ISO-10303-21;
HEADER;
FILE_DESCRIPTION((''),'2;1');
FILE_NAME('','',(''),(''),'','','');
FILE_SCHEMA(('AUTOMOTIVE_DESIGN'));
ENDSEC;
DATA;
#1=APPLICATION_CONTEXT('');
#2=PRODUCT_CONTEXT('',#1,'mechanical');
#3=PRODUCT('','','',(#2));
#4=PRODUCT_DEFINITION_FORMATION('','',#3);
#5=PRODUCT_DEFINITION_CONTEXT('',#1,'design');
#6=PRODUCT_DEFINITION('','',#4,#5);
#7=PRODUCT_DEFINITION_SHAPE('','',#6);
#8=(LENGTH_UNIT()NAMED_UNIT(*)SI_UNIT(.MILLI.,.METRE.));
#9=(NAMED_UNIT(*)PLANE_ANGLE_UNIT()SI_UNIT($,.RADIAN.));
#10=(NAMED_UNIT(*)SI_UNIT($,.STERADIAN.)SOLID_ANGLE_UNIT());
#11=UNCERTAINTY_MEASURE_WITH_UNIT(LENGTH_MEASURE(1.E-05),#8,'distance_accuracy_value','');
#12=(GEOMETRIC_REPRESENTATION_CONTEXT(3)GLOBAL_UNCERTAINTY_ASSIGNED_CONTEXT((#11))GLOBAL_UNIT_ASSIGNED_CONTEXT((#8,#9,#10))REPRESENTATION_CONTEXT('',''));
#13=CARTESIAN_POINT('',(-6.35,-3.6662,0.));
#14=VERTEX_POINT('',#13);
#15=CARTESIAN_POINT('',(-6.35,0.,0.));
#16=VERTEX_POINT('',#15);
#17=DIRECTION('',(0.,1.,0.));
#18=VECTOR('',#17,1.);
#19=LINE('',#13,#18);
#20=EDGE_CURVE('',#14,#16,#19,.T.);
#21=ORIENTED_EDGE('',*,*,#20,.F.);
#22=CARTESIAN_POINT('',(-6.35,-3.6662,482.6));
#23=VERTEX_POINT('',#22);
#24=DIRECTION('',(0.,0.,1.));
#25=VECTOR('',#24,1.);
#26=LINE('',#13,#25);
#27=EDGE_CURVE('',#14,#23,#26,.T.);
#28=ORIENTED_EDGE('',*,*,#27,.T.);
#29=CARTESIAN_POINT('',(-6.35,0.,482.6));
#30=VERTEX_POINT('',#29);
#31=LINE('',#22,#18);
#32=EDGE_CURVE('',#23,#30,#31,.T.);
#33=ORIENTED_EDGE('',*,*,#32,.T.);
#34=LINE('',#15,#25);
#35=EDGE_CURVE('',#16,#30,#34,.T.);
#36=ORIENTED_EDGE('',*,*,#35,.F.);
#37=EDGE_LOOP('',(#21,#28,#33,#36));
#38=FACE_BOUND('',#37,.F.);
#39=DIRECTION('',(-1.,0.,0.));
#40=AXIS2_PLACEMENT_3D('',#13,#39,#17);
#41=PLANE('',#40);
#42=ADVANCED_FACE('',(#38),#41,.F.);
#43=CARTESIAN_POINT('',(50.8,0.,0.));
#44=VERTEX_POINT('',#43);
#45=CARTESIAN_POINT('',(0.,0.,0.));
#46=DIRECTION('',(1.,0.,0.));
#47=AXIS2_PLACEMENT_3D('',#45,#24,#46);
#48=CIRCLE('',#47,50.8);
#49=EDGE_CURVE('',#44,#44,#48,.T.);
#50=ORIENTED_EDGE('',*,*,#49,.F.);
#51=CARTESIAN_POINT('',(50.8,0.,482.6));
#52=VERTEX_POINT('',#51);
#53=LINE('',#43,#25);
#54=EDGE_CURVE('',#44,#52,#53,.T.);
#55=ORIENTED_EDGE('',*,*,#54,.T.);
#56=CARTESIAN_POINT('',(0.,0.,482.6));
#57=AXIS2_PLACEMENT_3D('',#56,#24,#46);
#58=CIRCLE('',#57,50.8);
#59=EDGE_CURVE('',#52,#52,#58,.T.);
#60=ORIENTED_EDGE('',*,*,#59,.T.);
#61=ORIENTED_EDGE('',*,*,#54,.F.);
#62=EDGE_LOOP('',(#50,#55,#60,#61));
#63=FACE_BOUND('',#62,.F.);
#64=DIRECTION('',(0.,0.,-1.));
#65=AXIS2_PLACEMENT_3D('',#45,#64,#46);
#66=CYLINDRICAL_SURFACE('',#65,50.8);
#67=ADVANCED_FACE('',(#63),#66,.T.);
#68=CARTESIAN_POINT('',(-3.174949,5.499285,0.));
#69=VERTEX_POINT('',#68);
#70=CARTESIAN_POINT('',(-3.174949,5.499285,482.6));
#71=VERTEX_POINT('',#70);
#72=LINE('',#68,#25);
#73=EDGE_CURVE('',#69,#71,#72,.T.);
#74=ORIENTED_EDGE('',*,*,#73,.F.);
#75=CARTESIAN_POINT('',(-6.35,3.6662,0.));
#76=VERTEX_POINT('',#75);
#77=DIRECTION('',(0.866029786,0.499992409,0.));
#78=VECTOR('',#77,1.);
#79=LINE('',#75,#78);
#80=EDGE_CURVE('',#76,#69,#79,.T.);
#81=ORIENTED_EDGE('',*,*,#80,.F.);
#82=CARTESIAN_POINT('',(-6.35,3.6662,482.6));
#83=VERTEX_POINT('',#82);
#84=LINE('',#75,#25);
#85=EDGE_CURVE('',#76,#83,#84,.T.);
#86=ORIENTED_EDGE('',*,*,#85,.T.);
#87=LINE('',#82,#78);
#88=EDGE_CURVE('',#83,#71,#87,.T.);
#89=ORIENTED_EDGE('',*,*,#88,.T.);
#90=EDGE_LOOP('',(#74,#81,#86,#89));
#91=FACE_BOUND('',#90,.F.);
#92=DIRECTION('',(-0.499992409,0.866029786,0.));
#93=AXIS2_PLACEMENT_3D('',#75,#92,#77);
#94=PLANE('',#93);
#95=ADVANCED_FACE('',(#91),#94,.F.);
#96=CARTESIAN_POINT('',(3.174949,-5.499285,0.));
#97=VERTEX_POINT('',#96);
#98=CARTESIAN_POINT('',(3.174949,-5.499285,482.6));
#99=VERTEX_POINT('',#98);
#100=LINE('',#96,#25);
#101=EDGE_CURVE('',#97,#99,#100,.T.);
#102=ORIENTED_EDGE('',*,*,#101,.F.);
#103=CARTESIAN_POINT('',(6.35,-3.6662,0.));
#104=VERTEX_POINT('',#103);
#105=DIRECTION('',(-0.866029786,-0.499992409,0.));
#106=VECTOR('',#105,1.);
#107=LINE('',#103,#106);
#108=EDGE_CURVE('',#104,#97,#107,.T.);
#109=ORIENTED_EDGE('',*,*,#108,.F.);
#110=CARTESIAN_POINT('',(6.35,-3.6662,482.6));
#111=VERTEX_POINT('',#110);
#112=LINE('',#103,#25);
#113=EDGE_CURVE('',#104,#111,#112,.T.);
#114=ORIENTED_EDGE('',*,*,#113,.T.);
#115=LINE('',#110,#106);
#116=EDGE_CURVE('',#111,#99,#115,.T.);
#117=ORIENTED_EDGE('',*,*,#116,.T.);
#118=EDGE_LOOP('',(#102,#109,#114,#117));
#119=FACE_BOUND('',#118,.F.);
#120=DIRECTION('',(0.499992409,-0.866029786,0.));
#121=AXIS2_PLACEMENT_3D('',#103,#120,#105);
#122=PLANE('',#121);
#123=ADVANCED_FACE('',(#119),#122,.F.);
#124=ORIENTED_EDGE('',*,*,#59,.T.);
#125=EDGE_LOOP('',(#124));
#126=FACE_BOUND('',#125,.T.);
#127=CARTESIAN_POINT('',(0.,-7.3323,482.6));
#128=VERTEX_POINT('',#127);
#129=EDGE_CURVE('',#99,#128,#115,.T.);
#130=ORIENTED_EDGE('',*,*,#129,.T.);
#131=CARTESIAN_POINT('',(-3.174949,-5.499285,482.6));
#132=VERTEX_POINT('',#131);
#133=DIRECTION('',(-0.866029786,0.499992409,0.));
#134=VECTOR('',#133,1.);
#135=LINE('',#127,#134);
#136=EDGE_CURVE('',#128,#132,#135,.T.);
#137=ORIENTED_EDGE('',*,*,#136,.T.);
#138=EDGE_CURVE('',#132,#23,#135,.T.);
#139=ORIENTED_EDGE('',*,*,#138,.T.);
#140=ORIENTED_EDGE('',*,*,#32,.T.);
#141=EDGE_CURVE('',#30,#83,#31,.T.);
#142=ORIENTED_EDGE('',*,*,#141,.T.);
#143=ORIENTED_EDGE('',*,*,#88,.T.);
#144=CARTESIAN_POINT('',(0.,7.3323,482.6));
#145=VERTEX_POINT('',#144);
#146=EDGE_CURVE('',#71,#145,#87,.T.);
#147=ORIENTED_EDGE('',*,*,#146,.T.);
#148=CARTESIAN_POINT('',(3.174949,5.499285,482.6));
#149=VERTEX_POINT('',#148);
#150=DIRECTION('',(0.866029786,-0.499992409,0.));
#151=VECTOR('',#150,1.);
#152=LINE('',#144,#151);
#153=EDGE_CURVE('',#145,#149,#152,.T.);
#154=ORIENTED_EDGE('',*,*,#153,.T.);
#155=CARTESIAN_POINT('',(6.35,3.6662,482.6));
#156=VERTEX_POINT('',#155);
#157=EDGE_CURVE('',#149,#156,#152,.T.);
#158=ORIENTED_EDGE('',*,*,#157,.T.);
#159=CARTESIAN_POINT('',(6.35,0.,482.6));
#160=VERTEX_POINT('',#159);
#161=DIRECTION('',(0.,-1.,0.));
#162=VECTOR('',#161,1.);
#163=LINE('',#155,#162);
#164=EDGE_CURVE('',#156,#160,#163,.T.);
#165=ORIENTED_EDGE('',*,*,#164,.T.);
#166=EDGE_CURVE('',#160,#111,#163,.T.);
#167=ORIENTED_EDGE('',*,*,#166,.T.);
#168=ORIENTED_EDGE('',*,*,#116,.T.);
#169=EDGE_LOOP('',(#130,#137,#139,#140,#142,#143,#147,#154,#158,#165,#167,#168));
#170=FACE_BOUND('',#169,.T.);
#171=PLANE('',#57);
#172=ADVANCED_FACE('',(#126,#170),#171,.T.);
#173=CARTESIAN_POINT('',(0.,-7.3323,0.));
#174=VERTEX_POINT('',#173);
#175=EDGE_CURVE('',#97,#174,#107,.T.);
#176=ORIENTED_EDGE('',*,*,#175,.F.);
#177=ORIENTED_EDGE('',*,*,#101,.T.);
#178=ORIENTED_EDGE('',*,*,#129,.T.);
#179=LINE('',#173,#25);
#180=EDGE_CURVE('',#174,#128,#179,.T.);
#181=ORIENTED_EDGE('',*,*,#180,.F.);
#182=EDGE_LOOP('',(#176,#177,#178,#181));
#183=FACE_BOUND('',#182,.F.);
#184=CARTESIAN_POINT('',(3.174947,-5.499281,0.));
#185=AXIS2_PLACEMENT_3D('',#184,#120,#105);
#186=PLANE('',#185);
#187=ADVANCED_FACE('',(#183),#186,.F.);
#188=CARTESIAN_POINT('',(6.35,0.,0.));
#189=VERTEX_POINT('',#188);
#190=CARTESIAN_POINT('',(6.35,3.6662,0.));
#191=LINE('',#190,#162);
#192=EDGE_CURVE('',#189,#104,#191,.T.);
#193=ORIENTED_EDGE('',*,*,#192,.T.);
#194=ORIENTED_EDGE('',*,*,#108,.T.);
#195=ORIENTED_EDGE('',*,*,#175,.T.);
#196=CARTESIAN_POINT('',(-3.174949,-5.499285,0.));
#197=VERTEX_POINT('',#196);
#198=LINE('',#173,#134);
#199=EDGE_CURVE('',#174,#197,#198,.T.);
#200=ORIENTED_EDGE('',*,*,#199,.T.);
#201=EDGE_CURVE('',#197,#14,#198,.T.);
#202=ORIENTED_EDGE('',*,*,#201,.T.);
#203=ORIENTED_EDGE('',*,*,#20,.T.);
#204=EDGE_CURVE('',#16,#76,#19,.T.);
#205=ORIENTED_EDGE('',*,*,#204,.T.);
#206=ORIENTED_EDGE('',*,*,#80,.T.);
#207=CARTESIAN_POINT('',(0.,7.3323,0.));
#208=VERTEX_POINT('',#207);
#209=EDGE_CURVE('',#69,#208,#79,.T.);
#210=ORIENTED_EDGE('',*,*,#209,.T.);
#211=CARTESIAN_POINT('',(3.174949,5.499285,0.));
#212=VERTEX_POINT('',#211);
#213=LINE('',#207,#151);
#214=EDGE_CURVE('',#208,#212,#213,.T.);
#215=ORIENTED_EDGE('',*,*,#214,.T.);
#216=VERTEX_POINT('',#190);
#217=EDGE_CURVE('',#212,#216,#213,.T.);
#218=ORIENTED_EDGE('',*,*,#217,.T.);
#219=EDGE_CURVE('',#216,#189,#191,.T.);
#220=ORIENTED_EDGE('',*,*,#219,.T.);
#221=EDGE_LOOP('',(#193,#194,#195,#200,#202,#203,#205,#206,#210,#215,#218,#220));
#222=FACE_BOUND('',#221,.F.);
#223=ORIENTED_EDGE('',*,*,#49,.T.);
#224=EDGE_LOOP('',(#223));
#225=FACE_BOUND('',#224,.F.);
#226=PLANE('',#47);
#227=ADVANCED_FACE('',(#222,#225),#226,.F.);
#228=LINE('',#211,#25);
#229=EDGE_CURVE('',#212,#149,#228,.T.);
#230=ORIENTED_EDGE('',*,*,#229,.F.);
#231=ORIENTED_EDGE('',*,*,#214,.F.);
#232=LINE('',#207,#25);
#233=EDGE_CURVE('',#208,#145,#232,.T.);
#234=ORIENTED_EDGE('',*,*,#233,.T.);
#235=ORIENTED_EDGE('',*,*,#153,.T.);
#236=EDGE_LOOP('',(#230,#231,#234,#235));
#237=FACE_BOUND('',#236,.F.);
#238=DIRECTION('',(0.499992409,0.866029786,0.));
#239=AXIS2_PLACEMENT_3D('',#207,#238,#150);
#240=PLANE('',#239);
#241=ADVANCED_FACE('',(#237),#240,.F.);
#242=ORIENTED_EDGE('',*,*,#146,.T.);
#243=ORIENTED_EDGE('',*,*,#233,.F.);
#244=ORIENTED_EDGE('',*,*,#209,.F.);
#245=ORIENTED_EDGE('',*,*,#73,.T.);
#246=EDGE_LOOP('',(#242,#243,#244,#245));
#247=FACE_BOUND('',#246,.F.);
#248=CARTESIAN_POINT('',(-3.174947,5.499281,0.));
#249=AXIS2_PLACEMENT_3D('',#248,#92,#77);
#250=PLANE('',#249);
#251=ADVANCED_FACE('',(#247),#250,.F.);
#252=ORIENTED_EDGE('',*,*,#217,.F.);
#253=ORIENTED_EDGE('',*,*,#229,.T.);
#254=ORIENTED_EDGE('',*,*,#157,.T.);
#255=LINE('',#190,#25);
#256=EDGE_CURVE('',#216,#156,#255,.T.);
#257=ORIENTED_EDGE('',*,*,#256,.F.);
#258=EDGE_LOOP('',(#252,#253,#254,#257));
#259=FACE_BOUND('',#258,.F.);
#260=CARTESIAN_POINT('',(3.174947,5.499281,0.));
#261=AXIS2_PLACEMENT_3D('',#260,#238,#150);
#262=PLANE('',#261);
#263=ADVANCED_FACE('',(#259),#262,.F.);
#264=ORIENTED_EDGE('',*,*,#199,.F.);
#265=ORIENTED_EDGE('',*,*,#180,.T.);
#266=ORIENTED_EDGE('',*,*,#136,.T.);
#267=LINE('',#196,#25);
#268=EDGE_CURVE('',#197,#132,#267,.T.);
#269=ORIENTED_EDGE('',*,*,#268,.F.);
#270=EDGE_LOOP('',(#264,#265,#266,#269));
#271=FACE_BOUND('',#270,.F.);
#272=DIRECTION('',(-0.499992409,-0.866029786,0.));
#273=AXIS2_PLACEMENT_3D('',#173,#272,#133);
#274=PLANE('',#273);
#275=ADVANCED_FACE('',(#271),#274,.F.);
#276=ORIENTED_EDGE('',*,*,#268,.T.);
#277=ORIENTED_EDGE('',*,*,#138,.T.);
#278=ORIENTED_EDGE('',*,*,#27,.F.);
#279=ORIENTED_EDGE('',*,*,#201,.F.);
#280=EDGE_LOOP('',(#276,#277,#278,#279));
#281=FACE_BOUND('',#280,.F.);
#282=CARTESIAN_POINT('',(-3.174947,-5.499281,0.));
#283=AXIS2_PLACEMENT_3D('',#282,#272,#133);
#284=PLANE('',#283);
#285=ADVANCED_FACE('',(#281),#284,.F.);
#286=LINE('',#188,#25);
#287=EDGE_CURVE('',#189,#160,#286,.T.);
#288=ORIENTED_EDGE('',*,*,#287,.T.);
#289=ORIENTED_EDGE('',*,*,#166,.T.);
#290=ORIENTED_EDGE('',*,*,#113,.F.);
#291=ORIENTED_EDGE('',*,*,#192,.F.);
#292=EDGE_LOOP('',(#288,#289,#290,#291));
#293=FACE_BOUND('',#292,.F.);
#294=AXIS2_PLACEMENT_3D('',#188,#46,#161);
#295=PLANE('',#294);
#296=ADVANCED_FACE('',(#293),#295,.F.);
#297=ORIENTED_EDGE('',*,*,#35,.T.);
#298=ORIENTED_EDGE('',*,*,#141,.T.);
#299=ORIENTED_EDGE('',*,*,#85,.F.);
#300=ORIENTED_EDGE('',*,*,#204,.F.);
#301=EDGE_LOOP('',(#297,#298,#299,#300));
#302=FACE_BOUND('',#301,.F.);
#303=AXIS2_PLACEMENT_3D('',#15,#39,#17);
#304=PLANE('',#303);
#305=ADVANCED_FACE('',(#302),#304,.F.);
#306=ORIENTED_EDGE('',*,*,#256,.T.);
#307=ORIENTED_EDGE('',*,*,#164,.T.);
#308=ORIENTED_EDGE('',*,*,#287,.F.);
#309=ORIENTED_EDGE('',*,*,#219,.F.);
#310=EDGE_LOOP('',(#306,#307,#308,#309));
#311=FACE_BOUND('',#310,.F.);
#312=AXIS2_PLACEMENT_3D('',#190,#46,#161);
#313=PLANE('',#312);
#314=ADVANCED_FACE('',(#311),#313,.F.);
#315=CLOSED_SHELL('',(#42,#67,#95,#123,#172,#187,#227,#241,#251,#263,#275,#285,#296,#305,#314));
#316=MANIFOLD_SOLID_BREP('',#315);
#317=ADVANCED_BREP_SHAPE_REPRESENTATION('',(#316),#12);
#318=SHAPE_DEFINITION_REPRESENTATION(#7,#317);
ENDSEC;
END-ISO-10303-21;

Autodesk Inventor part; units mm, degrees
ref_plane "YZ Plane" through (0, 0, 0) normal (1, 0, 0) x (0, 1, 0)
ref_plane "XZ Plane" through (0, 0, 0) normal (0, 1, 0) x (-1, 0, 0)
ref_plane "XY Plane" through (0, 0, 0) normal (0, 0, 1) x (1, 0, 0)
sketch "Sketch1" plane through (0, 0, 0) normal (0, 0, 1) x (1, 0, 0)
  circle A0 centre (0, 0) radius 50.8
  circle A1 centre (0, 0) radius 6.35
  line L0 (6.35, -3.6662) -> (0, -7.3323)
  line L1 (0, -7.3323) -> (-6.35, -3.6662)
  line L2 (-6.35, -3.6662) -> (-6.35, 3.6662)
  line L3 (-6.35, 3.6662) -> (0, 7.3323)
  line L4 (0, 7.3323) -> (6.35, 3.6662)
  line L5 (6.35, 3.6662) -> (6.35, -3.6662)
  point P0 (6.35, 0)
  dimension "d4" = 12.7
  dimension "d0" = 101.6
extrude "Extrusion1" add sketch "Sketch1" along normal blind 482.6
properties part number "4-bar intake roller"
